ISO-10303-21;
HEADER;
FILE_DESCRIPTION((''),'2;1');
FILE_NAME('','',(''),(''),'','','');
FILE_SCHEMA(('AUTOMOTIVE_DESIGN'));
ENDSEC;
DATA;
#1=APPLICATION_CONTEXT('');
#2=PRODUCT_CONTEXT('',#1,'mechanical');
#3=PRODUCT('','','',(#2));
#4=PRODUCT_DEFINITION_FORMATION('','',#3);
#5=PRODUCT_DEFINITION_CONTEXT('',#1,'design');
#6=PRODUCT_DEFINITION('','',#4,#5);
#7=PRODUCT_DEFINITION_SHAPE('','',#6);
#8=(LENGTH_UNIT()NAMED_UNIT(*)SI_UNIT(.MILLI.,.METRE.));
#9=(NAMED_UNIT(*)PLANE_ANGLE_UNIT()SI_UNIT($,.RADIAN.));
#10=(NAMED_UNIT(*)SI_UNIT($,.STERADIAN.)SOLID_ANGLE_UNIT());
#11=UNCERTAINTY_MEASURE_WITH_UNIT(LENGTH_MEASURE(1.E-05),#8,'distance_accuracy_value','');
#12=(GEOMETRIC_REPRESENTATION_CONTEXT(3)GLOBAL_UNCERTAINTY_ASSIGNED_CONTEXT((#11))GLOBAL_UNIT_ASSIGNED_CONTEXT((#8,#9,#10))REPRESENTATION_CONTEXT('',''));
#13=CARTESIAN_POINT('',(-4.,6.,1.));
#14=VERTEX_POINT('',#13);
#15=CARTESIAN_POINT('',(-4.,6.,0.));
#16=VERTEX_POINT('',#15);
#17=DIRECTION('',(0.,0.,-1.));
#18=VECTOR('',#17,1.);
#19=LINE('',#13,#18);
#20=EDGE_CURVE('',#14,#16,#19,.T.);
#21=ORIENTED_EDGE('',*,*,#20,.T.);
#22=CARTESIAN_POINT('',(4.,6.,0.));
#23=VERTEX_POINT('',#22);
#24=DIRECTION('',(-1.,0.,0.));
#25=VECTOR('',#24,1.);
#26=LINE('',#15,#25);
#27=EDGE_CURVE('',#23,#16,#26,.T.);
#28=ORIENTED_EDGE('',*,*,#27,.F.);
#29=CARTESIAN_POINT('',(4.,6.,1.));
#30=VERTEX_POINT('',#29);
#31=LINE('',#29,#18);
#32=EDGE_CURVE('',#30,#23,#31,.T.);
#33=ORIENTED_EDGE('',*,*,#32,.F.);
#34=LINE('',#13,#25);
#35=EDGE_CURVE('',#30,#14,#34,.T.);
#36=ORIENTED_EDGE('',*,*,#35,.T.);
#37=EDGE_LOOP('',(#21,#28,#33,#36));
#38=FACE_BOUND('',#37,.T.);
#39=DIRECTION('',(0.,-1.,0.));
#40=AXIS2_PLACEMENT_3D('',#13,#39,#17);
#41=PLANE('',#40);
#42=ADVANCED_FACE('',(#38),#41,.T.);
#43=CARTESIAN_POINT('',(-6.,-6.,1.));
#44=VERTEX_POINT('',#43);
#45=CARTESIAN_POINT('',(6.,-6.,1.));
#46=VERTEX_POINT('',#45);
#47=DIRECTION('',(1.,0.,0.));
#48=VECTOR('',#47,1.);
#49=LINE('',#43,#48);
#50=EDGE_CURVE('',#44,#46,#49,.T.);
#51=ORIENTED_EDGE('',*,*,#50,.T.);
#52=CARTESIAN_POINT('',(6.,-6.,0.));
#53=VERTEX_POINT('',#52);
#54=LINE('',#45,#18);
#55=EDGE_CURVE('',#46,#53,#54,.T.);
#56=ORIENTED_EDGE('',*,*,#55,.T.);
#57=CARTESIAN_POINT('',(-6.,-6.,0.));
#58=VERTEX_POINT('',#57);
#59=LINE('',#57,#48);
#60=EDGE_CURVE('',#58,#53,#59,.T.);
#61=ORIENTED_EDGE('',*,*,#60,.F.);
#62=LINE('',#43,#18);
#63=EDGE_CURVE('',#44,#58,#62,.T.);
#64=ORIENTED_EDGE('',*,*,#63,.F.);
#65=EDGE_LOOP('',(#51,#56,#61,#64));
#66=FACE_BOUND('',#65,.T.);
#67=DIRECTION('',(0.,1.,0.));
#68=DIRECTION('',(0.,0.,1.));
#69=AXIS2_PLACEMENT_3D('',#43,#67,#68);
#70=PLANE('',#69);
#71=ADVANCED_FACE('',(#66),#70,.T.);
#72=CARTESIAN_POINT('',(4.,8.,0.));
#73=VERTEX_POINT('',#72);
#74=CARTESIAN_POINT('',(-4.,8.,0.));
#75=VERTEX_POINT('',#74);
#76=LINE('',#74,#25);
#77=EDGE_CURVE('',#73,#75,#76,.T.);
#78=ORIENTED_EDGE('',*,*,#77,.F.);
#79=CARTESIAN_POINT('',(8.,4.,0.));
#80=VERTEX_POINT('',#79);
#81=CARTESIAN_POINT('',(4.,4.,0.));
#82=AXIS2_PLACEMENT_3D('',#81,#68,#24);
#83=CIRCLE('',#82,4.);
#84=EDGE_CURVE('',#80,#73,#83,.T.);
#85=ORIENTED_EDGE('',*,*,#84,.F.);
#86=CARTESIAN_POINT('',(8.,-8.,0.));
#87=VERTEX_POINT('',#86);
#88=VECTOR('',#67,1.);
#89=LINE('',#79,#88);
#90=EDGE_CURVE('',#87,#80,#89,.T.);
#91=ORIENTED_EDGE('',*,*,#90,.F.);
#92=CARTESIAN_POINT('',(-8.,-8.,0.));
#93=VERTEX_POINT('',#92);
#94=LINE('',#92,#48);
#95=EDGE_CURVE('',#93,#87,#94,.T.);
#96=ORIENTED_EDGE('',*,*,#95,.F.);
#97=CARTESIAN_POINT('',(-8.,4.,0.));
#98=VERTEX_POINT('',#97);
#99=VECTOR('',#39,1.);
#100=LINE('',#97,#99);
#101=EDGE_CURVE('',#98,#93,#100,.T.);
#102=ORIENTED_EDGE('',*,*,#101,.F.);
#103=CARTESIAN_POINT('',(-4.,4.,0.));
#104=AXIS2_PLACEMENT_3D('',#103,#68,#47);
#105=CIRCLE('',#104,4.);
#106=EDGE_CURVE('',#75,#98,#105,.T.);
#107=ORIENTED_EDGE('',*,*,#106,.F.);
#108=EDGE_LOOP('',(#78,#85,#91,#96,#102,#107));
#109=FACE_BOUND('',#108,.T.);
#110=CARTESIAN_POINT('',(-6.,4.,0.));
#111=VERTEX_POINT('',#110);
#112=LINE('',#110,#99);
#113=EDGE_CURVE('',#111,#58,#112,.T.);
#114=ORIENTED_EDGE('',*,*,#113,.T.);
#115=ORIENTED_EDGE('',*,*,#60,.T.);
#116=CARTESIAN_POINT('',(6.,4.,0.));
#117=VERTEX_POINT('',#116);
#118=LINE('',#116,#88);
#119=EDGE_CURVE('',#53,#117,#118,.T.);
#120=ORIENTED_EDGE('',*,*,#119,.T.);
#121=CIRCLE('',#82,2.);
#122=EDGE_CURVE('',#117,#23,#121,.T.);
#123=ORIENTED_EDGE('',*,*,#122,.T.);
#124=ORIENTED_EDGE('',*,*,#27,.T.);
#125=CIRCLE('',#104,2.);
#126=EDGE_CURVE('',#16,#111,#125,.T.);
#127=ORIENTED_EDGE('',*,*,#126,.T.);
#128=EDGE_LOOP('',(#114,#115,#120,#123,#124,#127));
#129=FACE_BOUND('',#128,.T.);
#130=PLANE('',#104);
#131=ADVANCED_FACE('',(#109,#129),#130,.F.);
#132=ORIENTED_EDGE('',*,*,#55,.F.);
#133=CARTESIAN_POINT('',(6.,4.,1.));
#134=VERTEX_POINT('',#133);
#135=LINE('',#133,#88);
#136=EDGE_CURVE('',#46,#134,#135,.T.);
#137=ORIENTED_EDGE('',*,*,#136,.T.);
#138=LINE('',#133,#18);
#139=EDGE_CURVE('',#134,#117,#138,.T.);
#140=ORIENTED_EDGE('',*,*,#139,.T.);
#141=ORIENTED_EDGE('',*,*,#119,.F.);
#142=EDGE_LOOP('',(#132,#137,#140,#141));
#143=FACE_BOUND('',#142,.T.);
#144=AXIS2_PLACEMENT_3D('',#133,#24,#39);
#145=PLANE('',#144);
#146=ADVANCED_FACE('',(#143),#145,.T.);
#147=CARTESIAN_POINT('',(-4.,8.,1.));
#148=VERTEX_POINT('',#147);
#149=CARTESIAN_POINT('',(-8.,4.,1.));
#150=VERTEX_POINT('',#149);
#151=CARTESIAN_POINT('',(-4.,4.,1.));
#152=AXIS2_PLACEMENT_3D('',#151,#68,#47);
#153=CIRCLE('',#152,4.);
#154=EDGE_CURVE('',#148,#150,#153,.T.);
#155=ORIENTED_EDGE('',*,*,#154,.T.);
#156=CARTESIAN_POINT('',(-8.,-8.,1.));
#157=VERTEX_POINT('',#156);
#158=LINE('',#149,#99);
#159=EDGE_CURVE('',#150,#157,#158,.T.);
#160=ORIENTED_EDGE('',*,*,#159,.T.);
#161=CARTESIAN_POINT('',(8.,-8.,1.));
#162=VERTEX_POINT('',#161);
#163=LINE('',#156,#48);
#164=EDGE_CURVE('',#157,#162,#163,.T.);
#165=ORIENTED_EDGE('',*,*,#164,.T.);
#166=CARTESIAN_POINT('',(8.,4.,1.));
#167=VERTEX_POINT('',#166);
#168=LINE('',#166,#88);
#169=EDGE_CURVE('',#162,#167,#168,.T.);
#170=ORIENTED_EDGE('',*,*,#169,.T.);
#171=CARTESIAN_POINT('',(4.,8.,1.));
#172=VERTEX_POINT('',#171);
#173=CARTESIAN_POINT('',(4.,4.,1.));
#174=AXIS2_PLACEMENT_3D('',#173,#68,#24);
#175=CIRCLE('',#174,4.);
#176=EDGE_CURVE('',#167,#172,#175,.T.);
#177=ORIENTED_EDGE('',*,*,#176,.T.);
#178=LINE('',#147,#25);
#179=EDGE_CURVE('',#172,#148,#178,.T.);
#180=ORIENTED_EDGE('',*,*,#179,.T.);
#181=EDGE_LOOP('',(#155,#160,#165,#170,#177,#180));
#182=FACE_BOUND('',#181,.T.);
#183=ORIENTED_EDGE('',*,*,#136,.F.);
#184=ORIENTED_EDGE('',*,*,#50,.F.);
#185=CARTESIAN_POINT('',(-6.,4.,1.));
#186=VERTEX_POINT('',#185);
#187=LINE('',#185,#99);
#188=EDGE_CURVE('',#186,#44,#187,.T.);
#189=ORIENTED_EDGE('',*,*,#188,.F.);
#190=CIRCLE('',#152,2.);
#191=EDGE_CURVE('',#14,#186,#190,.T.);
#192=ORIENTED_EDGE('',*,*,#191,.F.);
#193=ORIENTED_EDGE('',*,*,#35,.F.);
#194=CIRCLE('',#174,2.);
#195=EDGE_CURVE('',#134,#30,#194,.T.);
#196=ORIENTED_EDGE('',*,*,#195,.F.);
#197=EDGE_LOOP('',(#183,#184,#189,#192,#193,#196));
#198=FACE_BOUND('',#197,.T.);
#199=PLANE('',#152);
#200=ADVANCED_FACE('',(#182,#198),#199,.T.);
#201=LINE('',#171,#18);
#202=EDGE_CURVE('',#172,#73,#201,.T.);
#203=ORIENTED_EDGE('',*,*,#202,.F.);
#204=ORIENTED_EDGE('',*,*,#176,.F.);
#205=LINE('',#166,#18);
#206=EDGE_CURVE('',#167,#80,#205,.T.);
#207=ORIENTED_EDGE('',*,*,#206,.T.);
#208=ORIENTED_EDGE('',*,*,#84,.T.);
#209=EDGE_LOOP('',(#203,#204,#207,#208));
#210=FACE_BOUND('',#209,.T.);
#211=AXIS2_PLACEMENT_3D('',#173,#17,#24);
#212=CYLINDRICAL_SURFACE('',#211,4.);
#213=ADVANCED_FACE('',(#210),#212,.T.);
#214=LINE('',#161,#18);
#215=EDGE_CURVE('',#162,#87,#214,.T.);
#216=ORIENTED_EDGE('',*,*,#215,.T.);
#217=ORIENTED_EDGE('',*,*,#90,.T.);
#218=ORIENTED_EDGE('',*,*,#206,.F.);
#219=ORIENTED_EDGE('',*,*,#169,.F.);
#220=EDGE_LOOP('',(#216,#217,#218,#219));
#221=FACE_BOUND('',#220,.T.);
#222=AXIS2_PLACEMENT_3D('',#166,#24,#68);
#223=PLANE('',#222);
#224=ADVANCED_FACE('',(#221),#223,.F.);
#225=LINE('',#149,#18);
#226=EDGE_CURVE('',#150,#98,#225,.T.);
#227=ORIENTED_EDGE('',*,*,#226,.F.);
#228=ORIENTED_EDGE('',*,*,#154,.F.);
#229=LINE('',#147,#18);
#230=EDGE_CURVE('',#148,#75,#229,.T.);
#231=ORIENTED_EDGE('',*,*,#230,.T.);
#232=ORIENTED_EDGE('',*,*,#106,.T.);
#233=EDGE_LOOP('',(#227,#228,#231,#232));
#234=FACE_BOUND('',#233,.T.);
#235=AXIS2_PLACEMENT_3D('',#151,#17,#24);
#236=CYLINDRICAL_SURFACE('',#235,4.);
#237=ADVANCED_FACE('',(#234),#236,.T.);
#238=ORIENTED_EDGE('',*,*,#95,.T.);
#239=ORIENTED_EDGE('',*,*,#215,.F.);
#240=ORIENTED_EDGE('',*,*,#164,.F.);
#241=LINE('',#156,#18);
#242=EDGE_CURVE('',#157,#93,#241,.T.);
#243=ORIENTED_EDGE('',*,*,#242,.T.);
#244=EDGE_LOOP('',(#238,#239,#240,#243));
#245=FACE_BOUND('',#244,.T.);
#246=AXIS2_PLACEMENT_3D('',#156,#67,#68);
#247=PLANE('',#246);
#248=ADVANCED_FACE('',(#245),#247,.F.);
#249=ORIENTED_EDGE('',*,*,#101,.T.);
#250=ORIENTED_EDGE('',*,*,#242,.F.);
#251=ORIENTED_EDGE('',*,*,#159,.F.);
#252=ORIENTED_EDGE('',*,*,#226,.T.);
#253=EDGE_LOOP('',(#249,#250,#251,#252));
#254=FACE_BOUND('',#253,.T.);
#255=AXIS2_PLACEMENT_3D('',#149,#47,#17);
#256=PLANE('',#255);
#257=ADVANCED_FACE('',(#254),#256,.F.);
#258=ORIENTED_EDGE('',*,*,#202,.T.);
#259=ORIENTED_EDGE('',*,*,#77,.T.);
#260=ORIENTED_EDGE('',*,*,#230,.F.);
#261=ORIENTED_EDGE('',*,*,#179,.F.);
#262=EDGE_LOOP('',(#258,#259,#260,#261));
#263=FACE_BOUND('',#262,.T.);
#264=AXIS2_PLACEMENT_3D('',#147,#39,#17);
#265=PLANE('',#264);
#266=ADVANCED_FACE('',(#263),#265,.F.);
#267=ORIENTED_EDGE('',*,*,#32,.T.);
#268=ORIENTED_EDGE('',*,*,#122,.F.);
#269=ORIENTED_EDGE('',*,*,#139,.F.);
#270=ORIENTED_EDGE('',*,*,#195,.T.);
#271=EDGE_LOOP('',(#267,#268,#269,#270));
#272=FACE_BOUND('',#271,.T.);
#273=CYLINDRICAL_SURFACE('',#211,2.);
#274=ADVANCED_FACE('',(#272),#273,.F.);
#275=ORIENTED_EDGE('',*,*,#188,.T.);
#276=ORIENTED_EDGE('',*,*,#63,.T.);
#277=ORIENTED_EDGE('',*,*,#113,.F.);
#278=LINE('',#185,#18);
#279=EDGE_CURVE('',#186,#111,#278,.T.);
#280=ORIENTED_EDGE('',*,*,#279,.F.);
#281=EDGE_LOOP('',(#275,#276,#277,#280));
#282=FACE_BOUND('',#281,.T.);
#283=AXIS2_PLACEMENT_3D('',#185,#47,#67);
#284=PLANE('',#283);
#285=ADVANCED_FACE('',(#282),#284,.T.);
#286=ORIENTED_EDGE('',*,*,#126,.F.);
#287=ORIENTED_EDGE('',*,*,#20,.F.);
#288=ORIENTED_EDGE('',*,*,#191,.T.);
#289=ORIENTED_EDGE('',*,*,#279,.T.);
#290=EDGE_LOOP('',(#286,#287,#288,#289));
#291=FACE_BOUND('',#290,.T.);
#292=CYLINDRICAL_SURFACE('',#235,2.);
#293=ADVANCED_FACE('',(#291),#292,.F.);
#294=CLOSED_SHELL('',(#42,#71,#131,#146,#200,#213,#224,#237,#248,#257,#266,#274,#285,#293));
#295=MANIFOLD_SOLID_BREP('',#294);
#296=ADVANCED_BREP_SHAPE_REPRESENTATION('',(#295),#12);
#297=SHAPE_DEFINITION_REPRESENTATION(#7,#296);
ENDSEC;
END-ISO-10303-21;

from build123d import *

# Parameters (mm, degrees)
BOSS_EXTRUDE2_DEPTH = 1


with BuildPart() as part:
    # Sketch1 → Boss-Extrude2 (new body)
    with BuildSketch(Plane.XY):
        with BuildLine():
            Line((-4, 8), (4, 8))
            ThreePointArc((4, 8), (6.828427125, 6.828427125), (8, 4))
            Line((8, 4), (8, -8))
            Line((8, -8), (-8, -8))
            Line((-8, -8), (-8, 4))
            ThreePointArc((-8, 4), (-6.828427125, 6.828427125), (-4, 8))
        make_face()
        with BuildLine():
            Line((-4, 6), (4, 6))
            ThreePointArc((4, 6), (5.414213562, 5.414213562), (6, 4))
            Line((6, 4), (6, -6))
            Line((6, -6), (-6, -6))
            Line((-6, -6), (-6, 4))
            ThreePointArc((-6, 4), (-5.414213562, 5.414213562), (-4, 6))
        make_face(mode=Mode.SUBTRACT)
    extrude(amount=BOSS_EXTRUDE2_DEPTH)


solid = part.part
